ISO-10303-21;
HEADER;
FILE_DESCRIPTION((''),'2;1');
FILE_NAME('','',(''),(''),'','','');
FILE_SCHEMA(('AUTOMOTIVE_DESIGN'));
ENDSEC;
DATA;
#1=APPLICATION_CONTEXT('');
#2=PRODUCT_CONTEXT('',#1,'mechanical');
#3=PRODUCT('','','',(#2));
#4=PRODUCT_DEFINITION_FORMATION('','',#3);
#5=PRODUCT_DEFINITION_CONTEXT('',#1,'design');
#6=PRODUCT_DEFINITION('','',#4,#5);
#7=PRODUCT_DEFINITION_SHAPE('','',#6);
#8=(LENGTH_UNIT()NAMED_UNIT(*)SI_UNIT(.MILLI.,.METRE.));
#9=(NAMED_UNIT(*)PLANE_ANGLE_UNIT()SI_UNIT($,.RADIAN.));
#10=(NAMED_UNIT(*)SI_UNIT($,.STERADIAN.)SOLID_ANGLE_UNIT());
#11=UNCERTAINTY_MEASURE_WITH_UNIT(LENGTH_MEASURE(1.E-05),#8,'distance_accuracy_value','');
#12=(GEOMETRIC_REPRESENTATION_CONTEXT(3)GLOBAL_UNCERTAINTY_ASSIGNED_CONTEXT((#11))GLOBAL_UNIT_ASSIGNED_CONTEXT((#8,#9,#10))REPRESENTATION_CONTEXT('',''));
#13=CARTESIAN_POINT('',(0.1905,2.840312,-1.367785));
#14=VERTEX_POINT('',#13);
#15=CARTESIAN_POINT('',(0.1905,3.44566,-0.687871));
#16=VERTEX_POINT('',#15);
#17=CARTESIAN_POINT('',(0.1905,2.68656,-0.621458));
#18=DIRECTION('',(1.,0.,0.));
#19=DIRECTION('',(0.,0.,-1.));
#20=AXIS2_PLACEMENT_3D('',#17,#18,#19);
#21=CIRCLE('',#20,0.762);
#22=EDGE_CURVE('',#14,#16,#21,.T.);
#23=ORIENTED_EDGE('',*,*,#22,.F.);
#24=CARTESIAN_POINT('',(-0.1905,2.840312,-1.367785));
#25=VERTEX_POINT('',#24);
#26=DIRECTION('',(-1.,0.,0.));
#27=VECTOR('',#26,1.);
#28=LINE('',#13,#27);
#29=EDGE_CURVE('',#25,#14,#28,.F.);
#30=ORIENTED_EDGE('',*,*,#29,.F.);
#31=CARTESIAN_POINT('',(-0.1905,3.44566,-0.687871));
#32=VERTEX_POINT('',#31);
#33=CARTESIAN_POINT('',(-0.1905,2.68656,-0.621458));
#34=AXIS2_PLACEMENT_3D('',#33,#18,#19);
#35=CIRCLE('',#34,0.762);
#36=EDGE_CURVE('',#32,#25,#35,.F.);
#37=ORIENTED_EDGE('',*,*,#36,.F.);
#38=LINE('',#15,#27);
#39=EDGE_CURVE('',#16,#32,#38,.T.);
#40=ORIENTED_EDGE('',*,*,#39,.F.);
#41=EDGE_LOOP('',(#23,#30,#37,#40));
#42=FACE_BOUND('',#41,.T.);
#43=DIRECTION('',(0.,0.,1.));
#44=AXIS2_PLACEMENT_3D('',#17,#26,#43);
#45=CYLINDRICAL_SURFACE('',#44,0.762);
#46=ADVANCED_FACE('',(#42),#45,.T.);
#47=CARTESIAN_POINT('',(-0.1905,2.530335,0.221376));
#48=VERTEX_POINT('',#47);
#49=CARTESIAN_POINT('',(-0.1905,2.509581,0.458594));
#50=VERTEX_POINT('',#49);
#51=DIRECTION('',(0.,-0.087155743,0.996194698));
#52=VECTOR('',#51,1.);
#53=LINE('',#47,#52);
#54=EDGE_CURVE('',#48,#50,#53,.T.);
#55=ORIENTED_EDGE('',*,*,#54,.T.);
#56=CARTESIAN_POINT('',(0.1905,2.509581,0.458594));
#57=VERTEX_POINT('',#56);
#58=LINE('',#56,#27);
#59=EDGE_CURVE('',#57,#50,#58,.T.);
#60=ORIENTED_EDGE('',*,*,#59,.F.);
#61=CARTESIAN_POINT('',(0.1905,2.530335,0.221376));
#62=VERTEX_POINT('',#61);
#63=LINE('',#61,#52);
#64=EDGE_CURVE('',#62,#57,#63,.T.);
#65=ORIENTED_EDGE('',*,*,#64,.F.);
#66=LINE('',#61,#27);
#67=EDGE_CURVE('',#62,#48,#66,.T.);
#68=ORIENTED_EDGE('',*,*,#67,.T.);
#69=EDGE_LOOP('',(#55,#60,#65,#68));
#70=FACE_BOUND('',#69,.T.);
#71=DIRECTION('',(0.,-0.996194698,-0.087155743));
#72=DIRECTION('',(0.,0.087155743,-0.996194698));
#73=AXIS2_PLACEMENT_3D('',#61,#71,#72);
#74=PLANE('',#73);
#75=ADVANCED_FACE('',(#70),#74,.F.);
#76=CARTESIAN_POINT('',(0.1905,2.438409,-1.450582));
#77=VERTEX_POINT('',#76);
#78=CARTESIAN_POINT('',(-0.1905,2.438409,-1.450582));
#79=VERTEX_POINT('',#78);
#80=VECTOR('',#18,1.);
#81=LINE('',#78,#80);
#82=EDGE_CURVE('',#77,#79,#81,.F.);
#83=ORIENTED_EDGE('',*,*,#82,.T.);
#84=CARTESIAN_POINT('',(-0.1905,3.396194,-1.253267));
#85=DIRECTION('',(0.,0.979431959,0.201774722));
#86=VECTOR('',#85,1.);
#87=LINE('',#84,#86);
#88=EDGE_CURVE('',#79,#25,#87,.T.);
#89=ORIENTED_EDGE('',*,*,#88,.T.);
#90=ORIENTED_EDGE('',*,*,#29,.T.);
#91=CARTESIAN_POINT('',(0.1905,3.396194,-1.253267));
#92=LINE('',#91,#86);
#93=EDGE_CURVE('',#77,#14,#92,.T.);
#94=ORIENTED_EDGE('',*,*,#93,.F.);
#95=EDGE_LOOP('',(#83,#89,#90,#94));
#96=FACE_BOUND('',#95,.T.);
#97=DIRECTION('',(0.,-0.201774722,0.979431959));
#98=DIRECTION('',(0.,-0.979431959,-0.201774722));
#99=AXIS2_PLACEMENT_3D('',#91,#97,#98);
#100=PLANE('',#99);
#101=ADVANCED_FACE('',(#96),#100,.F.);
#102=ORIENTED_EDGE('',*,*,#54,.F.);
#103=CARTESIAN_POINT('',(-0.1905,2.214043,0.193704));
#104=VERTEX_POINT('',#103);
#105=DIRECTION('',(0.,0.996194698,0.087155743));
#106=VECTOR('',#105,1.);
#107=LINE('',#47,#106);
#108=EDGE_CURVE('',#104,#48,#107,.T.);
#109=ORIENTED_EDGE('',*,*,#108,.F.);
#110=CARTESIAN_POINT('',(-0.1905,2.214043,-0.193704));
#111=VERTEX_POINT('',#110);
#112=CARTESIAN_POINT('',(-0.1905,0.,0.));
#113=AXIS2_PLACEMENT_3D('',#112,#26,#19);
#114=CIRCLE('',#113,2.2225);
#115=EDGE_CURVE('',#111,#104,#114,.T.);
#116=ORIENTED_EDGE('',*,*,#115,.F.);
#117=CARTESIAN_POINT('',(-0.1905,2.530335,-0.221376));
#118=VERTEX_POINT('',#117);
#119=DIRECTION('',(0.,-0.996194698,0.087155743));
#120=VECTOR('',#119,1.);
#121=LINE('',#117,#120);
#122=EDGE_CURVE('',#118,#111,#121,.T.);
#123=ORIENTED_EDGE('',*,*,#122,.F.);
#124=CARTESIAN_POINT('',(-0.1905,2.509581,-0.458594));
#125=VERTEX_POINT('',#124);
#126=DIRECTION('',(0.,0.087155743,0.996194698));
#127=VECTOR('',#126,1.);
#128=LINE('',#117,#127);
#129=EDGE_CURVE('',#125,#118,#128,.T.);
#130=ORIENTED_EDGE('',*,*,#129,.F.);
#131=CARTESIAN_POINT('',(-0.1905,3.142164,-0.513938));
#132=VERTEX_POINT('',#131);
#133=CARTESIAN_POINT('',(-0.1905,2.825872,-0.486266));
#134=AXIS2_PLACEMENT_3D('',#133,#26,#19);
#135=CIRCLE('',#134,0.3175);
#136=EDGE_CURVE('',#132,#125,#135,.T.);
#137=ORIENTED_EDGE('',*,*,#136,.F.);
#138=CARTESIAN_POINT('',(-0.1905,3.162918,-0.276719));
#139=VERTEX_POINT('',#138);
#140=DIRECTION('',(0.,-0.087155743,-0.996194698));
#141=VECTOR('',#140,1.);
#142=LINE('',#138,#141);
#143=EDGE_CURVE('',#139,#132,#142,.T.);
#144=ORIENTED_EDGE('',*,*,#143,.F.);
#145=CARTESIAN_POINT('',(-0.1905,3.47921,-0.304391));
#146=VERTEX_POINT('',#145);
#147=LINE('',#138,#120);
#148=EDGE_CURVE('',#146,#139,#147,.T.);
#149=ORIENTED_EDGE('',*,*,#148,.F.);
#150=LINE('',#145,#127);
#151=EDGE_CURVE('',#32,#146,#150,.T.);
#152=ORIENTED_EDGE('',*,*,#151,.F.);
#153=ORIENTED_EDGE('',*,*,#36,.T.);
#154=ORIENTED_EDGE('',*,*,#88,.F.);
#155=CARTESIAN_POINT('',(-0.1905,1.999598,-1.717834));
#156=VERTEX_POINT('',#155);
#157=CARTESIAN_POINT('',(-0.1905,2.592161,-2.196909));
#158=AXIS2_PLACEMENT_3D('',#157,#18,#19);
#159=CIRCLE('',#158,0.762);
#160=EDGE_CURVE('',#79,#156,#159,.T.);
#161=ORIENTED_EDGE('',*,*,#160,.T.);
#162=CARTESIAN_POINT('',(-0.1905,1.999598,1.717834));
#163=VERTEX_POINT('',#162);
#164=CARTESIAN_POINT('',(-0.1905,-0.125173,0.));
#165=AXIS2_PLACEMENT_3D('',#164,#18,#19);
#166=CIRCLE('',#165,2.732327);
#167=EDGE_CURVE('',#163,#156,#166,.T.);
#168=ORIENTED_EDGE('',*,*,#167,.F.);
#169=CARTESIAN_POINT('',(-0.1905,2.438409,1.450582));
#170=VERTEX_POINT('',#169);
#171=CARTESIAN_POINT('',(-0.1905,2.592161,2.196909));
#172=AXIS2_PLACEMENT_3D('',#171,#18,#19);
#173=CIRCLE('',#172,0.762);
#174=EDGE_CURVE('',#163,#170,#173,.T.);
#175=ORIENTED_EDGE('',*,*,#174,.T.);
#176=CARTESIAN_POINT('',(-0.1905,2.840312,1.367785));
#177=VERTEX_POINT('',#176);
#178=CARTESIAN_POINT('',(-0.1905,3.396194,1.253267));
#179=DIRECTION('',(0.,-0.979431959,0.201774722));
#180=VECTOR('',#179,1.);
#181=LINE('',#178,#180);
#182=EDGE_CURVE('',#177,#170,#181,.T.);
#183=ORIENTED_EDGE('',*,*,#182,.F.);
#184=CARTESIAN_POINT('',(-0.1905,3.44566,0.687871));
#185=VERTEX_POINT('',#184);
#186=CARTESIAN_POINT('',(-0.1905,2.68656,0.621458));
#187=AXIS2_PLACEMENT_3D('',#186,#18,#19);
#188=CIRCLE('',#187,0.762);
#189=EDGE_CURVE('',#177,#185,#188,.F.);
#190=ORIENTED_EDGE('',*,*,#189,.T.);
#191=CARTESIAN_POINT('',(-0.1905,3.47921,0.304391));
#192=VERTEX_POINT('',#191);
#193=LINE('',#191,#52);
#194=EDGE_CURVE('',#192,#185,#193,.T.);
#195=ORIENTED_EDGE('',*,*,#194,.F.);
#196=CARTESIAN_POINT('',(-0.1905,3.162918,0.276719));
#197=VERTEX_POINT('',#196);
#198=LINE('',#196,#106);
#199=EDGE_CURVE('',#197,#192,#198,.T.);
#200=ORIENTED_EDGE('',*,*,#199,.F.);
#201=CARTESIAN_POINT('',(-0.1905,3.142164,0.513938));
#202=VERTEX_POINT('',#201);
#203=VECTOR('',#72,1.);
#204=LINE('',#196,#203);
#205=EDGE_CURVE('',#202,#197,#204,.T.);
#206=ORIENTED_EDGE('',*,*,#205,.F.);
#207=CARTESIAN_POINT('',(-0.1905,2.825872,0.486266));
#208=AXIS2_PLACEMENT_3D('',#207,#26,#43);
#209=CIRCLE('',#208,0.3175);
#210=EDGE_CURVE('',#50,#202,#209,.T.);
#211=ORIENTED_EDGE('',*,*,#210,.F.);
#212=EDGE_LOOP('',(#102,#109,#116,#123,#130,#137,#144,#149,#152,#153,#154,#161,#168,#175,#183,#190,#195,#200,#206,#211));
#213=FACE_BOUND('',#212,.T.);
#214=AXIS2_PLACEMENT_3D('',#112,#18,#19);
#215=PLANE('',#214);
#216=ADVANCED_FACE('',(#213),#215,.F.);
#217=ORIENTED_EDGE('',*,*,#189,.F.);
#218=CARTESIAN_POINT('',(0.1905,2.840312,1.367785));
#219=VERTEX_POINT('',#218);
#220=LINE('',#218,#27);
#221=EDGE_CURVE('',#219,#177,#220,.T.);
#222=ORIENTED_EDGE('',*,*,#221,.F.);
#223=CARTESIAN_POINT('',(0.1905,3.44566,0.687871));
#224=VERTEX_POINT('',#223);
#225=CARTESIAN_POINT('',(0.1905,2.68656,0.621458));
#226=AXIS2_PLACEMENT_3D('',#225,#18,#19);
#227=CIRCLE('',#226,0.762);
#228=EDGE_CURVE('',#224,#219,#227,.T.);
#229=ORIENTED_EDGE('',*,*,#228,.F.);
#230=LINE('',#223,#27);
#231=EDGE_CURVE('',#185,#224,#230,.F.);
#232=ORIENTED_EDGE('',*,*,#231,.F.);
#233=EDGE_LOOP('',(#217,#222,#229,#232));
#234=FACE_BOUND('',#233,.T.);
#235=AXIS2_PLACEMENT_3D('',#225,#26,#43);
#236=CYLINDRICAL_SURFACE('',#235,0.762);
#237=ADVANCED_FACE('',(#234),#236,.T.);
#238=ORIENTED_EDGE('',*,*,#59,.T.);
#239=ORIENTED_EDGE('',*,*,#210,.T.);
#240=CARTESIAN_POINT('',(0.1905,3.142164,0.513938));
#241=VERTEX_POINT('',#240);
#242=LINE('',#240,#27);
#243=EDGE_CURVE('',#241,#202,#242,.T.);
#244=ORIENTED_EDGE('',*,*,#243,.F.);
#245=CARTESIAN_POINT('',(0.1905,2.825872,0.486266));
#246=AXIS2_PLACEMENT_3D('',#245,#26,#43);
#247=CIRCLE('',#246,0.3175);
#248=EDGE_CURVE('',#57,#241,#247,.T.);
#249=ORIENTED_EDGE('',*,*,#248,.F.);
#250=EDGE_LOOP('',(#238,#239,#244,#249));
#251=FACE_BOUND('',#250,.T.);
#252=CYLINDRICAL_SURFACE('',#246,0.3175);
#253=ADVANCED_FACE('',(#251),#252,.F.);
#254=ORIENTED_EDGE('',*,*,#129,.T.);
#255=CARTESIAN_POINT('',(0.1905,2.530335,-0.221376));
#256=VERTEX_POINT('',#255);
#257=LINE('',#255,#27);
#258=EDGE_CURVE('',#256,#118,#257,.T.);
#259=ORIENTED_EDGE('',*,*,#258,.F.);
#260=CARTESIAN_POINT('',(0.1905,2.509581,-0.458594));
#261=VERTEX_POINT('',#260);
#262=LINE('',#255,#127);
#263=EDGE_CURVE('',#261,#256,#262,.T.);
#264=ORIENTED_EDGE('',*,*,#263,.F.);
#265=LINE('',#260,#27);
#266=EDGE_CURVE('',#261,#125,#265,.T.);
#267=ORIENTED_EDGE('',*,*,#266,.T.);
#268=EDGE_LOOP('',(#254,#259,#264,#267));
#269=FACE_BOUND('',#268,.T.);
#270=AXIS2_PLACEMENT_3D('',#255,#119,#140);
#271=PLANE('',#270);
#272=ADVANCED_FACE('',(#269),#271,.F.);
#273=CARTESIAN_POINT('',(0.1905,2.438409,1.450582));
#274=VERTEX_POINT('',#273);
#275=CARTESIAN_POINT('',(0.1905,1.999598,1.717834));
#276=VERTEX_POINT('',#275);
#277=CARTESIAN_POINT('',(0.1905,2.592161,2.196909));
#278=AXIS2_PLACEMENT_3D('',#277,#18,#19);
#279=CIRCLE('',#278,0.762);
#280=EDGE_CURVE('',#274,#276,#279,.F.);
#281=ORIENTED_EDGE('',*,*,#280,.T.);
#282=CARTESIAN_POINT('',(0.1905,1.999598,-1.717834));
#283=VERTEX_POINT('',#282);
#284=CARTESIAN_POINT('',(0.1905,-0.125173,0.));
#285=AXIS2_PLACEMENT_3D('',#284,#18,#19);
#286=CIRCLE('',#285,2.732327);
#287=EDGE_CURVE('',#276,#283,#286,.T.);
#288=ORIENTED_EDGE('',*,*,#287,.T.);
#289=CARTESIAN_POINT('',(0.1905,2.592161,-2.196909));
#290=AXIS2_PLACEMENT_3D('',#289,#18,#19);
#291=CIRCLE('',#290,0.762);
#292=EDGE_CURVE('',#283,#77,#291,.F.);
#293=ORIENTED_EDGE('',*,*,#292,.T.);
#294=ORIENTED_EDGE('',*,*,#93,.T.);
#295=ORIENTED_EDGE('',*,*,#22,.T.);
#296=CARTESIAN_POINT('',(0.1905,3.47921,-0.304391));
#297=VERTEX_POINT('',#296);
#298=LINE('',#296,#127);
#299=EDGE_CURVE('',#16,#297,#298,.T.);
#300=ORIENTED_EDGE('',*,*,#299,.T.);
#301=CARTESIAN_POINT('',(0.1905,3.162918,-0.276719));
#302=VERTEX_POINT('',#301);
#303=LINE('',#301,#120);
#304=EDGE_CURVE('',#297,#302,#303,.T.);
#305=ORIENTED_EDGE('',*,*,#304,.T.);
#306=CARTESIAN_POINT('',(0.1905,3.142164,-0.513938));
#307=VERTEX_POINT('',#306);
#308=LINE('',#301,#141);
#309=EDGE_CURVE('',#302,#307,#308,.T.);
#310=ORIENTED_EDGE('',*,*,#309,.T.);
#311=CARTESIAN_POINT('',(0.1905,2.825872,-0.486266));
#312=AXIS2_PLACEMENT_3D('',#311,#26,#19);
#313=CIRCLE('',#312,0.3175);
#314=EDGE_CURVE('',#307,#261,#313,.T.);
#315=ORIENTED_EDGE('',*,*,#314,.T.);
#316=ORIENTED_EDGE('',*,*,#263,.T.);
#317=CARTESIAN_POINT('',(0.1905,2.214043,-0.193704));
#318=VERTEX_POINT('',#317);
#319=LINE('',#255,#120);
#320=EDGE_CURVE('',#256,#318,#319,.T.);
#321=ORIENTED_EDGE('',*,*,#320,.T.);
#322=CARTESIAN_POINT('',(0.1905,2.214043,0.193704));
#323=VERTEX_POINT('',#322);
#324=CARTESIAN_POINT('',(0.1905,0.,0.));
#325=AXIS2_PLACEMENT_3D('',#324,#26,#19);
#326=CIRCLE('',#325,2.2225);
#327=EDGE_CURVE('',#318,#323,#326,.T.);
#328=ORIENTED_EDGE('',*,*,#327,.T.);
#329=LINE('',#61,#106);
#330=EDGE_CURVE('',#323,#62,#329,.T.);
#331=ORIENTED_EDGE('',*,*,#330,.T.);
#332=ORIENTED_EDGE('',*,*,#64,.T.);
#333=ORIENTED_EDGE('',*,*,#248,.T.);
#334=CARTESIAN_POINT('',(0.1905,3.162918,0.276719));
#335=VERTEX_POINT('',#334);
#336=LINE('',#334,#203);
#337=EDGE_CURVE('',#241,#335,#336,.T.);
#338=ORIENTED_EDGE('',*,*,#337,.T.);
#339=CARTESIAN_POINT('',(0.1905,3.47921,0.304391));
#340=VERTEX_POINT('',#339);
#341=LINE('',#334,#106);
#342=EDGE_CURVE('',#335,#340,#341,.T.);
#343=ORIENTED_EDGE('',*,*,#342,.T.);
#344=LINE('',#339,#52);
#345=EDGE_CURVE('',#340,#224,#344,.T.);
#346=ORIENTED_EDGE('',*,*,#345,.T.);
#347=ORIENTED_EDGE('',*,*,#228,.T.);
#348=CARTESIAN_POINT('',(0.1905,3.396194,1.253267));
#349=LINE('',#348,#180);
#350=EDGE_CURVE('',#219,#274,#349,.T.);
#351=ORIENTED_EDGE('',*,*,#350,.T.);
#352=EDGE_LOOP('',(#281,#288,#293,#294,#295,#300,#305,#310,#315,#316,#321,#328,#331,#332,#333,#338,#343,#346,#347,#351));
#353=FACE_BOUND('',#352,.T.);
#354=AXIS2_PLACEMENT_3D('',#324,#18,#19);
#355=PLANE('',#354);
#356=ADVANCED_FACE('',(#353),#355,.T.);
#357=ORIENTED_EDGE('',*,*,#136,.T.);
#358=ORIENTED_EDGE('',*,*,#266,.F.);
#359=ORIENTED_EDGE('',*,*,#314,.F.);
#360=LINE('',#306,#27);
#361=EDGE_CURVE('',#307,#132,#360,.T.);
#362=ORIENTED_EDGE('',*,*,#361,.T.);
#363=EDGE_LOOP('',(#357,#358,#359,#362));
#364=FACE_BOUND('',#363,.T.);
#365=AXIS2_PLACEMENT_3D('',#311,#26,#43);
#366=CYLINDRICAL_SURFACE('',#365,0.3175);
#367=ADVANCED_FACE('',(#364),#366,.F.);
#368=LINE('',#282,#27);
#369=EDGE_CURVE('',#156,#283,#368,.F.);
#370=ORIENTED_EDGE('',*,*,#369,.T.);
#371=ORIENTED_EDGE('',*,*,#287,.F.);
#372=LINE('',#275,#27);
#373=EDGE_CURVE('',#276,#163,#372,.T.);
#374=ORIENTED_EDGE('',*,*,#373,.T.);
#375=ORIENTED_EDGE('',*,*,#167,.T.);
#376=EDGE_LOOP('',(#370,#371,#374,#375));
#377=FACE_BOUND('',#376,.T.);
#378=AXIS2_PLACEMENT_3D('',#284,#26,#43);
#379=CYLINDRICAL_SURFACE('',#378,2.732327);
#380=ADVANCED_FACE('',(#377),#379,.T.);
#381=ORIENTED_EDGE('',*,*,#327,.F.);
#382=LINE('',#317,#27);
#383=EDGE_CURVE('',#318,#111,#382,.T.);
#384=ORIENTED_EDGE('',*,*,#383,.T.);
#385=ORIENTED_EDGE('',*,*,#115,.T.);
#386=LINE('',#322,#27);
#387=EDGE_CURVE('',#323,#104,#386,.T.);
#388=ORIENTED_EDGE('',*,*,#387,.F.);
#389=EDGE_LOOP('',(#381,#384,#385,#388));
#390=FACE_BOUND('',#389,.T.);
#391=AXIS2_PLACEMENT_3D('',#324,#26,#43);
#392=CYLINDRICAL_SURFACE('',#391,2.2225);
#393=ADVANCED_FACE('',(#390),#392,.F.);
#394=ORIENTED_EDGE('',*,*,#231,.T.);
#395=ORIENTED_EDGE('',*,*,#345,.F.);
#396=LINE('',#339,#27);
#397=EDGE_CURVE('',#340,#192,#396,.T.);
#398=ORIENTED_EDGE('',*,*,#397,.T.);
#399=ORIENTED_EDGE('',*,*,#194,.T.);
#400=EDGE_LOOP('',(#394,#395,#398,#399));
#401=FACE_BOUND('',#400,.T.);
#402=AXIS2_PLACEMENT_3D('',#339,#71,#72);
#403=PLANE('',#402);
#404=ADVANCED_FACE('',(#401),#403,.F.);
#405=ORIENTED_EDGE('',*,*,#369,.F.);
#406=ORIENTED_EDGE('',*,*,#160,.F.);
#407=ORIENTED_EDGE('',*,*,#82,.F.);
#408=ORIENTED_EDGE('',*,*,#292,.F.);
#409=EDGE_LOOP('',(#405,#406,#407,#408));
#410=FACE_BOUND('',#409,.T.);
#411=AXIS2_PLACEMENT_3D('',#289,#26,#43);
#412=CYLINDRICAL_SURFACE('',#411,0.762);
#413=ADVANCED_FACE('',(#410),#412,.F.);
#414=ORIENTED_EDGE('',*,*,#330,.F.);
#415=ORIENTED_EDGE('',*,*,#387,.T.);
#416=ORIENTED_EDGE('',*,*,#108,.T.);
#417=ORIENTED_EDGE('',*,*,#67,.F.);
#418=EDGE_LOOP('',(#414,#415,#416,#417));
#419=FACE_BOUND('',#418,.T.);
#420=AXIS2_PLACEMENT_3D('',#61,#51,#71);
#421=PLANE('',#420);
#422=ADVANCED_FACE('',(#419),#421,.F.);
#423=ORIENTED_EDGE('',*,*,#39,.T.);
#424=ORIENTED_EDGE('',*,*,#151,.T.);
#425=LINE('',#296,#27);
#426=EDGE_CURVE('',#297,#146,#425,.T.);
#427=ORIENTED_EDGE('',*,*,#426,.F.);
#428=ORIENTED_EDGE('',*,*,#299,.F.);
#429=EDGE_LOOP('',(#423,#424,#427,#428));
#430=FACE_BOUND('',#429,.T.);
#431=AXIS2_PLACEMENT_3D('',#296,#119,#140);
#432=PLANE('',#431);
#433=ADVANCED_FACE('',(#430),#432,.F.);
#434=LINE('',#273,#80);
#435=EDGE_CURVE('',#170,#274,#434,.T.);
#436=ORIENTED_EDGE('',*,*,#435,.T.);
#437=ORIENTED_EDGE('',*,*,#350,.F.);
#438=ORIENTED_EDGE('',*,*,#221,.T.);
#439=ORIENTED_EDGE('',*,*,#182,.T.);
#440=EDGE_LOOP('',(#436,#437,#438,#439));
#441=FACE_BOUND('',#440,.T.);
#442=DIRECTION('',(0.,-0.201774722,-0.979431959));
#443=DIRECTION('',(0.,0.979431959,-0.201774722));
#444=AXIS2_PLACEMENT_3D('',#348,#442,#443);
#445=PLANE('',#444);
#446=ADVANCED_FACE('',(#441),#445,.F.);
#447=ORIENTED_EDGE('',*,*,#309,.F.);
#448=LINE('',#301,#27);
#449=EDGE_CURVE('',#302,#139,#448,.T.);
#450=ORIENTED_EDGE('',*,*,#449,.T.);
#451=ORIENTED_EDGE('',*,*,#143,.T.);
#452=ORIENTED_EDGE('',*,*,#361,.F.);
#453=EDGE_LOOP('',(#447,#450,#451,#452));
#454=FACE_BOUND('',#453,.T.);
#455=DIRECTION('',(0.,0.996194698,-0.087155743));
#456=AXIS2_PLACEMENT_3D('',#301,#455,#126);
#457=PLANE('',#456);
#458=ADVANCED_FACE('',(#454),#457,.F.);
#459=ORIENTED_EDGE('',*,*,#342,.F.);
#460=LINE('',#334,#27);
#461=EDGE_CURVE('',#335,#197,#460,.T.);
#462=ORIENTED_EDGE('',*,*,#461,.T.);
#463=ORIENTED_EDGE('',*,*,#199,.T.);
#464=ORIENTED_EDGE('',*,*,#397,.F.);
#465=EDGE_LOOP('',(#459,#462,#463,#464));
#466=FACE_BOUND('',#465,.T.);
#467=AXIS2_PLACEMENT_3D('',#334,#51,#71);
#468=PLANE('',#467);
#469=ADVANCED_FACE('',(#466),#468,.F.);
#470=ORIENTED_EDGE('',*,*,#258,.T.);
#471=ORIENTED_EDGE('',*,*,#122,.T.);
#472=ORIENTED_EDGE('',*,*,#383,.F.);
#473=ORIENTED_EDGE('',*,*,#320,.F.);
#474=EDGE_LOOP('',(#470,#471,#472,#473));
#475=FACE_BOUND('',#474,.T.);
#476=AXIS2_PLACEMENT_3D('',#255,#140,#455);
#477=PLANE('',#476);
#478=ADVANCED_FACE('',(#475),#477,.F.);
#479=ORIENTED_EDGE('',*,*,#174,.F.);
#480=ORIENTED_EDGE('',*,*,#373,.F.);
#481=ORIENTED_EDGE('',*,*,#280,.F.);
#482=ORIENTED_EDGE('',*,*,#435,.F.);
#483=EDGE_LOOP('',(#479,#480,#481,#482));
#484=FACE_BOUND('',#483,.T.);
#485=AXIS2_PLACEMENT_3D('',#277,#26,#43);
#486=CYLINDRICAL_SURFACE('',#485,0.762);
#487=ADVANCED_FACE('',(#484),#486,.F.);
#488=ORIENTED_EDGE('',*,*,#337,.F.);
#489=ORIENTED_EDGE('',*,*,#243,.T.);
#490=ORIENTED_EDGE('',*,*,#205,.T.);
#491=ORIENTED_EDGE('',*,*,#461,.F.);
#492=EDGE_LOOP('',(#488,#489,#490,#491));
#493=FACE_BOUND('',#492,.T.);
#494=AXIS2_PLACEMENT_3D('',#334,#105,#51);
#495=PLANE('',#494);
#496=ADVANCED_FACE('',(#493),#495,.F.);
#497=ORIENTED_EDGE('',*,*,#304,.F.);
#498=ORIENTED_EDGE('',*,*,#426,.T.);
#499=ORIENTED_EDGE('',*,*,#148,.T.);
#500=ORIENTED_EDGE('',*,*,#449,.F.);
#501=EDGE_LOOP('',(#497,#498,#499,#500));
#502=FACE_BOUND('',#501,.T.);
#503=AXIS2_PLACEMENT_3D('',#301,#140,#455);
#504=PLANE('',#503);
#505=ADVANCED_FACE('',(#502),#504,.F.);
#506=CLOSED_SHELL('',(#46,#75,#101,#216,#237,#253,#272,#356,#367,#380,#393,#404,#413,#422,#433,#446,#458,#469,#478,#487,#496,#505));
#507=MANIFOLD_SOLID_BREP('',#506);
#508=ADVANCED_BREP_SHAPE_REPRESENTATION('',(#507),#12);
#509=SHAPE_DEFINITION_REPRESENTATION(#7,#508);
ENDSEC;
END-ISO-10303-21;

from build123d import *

# Parameters (mm, degrees)
EXTRUDE1_DEPTH = 0.1905
FILLET1_R      = 0.762


with BuildPart() as part:
    # Sketch1 → Extrude1 (new, symmetric)
    with BuildSketch(Plane(origin=(0, 0, 0), x_dir=(0, 0, -1), z_dir=(1, 0, 0))):
        with BuildLine():
            Line((0.304391432, 3.479209983), (1.253266881, 3.396194138))
            Line((1.253266881, 3.396194138), (1.509520778, 2.152315551))
            ThreePointArc((1.509520778, 2.152315551), (0, -2.8575), (-1.509520778, 2.152315551))
            Line((-1.509520778, 2.152315551), (-1.253266881, 3.396194138))
            Line((-1.253266881, 3.396194138), (-0.304391432, 3.479209983))
            Line((-0.304391432, 3.479209983), (-0.276719483, 3.162918166))
            Line((-0.276719483, 3.162918166), (-0.513938346, 3.142164205))
            ThreePointArc((-0.513938346, 3.142164205), (-0.802558214, 2.79820044), (-0.458594449, 2.509580572))
            Line((-0.458594449, 2.509580572), (-0.221375587, 2.530334533))
            Line((-0.221375587, 2.530334533), (-0.193703638, 2.214042717))
            ThreePointArc((-0.193703638, 2.214042717), (0, -2.2225), (0.193703638, 2.214042717))
            Line((0.193703638, 2.214042717), (0.221375587, 2.530334533))
            Line((0.221375587, 2.530334533), (0.458594449, 2.509580572))
            ThreePointArc((0.458594449, 2.509580572), (0.802558214, 2.79820044), (0.513938346, 3.142164205))
            Line((0.513938346, 3.142164205), (0.276719483, 3.162918166))
            Line((0.276719483, 3.162918166), (0.304391432, 3.479209983))
        make_face()
    extrude(amount=EXTRUDE1_DEPTH, both=True)

    # Fillet1
    fillet1_edges = [part.edges().sort_by_distance(p)[0] for p in [
        (0, 3.396194138, -1.253266881),
        (0, 2.152315551, -1.509520778),
        (0, 2.152315551, 1.509520778),
        (0, 3.396194138, 1.253266881),
    ]]
    fillet(fillet1_edges, radius=FILLET1_R)


solid = part.part
